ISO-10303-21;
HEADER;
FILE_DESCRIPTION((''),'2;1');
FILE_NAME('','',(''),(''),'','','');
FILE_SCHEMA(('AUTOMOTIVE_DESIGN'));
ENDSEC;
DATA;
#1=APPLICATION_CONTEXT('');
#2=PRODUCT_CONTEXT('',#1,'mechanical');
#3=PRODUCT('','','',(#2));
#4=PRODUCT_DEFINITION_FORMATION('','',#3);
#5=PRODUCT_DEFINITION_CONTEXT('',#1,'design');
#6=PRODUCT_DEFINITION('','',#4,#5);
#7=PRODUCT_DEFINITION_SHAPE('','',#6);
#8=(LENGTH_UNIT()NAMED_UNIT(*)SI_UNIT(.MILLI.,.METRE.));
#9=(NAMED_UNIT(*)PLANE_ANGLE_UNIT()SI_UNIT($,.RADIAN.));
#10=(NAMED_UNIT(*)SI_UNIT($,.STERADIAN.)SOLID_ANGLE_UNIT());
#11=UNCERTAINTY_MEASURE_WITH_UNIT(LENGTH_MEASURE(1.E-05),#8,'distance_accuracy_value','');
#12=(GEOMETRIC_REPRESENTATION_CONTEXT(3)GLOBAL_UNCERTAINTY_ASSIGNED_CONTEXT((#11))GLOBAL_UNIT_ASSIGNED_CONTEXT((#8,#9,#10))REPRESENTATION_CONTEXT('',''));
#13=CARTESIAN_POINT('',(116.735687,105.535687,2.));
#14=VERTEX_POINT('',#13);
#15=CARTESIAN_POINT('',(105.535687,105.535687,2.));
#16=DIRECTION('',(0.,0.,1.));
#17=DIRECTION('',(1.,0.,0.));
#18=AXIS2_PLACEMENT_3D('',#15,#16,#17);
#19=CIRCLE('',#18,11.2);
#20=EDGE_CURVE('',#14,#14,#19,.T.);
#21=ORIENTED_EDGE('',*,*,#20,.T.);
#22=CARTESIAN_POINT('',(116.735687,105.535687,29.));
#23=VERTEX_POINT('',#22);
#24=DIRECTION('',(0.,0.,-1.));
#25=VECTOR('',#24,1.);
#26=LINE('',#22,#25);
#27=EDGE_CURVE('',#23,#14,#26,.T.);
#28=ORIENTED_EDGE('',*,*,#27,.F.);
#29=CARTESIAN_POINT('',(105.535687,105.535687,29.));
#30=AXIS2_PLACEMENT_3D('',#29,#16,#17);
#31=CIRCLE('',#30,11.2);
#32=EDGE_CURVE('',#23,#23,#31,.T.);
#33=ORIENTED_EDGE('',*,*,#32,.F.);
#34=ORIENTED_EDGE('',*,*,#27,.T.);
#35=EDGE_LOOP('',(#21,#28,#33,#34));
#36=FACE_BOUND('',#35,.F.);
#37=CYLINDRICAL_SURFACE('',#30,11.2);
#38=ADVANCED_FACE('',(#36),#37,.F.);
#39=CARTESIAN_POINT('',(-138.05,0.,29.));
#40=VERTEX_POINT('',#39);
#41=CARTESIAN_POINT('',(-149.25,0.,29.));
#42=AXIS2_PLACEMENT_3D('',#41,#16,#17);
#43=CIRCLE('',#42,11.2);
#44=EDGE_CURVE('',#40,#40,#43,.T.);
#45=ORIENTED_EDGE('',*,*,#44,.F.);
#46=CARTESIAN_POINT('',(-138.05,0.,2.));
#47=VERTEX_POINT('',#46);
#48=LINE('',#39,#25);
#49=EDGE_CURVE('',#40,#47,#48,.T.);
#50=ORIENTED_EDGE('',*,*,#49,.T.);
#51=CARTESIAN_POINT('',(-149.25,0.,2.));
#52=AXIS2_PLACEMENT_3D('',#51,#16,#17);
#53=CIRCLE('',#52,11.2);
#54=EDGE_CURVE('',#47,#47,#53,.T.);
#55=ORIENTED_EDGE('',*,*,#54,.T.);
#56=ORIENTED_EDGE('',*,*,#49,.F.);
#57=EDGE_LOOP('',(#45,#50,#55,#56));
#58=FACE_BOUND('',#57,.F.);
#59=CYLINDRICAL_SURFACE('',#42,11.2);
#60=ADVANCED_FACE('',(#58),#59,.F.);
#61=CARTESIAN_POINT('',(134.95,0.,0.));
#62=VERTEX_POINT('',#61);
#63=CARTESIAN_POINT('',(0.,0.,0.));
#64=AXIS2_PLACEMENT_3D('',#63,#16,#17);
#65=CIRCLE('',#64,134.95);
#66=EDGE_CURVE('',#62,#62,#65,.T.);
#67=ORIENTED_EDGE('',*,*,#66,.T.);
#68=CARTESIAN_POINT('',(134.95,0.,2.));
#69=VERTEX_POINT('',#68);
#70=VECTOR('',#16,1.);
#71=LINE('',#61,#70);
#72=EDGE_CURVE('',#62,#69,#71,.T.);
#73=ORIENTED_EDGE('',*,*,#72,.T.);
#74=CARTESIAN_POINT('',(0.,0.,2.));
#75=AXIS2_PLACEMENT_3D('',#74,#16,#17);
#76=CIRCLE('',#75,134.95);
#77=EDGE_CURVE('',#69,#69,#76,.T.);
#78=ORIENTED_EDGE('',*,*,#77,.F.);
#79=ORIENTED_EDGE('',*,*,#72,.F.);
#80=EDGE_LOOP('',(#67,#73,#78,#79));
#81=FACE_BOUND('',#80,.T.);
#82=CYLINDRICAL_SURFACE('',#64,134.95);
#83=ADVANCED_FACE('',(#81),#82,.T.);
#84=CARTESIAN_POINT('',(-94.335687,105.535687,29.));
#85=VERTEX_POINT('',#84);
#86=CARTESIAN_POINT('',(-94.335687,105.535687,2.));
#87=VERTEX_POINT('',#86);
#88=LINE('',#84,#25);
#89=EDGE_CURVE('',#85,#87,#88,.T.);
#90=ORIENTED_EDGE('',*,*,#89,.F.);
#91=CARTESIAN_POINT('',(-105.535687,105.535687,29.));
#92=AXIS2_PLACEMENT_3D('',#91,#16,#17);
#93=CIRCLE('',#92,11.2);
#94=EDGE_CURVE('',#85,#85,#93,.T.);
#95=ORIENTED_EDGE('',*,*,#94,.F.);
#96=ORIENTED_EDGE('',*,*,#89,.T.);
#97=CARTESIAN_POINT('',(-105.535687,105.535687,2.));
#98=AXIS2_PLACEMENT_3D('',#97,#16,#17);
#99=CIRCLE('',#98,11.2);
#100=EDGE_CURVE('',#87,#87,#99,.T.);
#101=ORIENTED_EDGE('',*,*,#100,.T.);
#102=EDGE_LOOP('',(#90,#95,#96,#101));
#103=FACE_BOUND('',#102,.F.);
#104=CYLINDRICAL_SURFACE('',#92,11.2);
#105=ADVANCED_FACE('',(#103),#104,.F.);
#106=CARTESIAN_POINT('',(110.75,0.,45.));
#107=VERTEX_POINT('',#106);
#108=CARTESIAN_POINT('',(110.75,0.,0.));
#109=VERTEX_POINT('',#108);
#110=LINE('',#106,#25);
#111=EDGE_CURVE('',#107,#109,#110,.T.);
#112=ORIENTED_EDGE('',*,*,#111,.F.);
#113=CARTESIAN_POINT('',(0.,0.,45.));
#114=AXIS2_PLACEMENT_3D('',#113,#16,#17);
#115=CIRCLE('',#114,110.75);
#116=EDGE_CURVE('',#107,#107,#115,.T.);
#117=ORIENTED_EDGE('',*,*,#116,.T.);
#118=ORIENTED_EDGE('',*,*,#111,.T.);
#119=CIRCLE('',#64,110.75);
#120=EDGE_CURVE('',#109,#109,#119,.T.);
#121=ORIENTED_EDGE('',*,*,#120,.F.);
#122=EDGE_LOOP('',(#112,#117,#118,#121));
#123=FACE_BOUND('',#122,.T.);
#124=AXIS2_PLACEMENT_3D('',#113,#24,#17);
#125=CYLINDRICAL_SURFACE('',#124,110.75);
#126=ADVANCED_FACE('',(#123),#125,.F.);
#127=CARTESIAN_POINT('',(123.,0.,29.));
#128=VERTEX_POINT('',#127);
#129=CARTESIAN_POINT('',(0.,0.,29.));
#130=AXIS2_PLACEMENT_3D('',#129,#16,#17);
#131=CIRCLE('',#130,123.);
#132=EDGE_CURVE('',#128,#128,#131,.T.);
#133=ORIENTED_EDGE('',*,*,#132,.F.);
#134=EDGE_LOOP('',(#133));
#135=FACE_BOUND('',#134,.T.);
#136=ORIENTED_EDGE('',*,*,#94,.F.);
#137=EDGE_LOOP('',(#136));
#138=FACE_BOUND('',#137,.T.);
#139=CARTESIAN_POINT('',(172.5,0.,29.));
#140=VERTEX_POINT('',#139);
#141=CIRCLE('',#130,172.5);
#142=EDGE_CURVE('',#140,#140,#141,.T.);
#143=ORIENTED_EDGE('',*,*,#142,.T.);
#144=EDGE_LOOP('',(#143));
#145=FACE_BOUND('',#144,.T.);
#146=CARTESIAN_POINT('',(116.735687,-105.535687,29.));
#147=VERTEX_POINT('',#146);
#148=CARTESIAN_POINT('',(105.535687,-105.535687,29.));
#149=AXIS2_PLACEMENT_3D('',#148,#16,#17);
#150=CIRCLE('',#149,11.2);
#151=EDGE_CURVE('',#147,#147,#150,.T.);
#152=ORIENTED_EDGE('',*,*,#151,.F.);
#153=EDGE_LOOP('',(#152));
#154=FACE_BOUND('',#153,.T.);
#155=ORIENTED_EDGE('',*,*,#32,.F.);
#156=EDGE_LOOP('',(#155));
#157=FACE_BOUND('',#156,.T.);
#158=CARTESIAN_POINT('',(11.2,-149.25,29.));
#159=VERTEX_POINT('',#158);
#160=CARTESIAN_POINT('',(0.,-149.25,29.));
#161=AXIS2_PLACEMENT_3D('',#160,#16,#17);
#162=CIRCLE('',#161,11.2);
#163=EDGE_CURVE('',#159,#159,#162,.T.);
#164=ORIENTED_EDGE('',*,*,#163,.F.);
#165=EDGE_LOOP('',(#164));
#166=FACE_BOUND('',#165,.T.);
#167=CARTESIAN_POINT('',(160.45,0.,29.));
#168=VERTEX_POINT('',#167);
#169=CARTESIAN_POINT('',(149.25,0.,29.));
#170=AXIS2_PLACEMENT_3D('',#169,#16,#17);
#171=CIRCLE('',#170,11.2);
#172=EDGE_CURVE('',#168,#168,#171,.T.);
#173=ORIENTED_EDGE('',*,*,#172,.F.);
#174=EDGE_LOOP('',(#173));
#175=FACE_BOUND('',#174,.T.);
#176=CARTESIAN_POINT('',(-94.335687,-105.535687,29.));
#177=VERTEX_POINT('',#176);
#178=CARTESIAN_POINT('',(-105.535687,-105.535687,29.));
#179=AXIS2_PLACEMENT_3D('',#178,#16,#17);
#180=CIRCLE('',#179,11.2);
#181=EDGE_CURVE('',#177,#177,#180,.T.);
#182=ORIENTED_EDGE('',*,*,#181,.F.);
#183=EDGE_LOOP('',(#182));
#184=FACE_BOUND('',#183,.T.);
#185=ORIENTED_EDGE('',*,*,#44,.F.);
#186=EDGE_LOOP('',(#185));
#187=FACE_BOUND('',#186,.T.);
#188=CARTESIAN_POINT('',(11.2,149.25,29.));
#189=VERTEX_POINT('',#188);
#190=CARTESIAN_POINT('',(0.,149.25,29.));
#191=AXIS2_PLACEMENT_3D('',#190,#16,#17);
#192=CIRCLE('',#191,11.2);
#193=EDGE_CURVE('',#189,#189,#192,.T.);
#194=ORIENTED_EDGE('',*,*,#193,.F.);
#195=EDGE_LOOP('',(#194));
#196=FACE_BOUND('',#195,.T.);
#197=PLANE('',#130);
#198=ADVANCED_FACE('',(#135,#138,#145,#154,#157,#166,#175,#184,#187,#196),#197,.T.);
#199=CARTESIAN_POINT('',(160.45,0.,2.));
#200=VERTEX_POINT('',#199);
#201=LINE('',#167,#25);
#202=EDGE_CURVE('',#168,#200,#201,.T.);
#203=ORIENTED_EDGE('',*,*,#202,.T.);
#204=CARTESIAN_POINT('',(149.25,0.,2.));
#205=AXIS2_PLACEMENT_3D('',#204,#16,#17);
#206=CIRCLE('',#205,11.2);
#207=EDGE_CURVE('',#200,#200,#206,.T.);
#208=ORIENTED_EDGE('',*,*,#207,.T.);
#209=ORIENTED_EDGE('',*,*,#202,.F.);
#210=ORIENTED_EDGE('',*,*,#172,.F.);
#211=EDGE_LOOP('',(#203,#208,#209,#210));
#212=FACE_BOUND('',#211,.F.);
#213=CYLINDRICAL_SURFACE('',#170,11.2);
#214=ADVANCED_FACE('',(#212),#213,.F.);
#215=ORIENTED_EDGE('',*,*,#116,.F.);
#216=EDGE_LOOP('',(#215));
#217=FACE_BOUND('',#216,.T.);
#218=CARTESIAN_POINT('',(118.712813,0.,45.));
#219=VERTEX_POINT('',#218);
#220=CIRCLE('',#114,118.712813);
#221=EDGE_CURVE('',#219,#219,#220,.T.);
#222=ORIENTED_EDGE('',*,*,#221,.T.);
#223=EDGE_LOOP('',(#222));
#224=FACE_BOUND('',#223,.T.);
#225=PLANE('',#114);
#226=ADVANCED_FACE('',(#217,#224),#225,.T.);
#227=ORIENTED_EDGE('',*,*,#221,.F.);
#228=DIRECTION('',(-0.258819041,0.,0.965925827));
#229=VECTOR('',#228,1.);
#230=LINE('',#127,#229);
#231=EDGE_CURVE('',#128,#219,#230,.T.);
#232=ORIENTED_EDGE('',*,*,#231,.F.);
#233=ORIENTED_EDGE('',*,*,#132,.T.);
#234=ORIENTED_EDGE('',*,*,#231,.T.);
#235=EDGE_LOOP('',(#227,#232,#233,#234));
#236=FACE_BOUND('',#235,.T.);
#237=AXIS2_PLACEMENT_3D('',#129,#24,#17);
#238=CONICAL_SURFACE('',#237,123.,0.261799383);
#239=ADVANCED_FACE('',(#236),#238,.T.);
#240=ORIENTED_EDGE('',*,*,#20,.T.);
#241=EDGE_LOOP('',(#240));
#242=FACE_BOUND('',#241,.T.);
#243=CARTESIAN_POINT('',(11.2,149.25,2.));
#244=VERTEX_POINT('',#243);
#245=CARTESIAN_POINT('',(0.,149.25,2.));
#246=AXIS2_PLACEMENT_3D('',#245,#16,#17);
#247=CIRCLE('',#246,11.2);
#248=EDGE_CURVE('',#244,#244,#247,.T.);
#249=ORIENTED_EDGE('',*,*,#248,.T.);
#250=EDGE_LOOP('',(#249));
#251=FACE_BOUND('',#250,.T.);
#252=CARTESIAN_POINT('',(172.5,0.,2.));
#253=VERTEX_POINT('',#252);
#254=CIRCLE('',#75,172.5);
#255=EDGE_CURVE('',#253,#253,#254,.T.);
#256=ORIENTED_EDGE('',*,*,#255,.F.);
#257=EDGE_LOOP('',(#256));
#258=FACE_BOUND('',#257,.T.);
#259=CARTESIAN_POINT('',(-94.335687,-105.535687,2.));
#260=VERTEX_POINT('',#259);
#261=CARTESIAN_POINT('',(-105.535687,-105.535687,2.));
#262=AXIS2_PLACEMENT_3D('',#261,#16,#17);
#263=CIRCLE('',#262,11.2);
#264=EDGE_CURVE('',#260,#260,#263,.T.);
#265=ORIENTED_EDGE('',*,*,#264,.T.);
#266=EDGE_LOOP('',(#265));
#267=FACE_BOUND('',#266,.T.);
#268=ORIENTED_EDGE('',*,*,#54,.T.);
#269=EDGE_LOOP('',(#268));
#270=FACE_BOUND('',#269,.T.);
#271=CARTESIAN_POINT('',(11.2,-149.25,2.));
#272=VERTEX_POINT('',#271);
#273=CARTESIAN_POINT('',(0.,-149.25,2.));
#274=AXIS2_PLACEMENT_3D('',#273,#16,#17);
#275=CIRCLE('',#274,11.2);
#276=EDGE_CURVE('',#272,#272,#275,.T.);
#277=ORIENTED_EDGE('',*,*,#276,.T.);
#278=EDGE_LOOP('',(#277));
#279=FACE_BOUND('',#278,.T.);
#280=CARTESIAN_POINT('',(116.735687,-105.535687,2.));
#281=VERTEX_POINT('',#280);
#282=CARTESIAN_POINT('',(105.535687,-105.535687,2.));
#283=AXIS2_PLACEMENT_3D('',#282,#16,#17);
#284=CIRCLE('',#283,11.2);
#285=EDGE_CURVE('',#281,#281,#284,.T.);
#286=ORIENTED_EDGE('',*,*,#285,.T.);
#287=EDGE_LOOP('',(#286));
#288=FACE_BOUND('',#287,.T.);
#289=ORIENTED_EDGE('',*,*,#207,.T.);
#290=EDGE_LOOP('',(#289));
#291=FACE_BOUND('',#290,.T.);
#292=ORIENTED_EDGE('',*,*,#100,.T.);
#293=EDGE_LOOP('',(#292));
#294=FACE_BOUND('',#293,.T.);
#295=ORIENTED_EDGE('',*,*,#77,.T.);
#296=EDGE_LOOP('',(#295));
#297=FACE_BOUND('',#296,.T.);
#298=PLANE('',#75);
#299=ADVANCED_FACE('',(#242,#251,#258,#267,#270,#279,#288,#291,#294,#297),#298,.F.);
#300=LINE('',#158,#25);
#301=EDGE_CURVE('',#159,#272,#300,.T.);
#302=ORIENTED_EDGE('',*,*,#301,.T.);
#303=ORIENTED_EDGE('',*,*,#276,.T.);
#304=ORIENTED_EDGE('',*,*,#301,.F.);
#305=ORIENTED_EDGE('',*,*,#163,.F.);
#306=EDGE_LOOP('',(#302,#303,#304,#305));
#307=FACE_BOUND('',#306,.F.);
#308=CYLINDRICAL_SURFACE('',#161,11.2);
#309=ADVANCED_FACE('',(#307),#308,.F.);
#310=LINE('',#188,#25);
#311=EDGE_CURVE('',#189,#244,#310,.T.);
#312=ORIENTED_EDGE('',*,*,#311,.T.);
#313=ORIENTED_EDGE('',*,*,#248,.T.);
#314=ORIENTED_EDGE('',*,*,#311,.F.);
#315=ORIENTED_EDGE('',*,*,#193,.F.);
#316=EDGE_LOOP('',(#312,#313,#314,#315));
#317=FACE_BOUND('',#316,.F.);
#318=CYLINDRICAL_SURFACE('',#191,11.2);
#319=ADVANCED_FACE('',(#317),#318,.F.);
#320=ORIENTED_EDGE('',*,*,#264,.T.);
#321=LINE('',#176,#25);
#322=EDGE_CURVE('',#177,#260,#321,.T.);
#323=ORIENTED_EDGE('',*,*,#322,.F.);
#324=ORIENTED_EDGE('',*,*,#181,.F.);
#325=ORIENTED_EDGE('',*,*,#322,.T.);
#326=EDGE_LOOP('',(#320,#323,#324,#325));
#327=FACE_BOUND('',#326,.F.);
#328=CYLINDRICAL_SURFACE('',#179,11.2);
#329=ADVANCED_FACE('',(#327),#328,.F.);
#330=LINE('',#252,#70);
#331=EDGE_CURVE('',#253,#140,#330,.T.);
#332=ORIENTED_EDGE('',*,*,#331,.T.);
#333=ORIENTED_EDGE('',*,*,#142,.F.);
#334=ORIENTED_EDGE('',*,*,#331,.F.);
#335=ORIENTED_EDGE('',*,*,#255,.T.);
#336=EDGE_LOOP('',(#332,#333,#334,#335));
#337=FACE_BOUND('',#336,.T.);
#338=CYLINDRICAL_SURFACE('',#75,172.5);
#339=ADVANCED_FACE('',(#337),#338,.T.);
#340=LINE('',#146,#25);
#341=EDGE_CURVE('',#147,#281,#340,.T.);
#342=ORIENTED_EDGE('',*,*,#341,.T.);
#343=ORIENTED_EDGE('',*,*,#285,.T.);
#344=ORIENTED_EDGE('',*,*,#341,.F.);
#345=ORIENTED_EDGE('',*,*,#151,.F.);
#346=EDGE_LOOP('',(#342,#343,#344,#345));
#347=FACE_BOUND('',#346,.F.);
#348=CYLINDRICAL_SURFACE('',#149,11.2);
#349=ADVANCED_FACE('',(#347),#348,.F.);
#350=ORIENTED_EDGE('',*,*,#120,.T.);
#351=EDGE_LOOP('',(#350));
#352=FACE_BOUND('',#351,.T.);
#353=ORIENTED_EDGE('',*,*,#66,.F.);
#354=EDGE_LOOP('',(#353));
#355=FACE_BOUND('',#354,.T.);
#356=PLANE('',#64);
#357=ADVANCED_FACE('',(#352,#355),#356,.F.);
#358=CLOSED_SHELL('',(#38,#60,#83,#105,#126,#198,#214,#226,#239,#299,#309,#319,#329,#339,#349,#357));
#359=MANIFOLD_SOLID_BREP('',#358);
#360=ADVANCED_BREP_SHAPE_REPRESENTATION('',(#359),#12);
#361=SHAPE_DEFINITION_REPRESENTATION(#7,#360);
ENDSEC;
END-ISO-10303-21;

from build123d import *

# Parameters (mm, degrees)
F2_R     = 11.2
F3_DEPTH = 29.001


with BuildPart() as f1:
    # F0 (on Front) → F1 (revolve)
    with BuildSketch(Plane.XZ):
        Polygon((110.75, 45), (110.75, 0), (134.95, 0), (134.95, 2), (172.5, 2), (172.5, 29), (123, 29), (118.712813, 45), align=None)
    revolve(axis=Axis((0, 0, 22.5), (0, 0, 1)))

    # F2 (on face) → F3 (cut, through all)
    with BuildSketch(Plane.XY.offset(29)):
        with Locations((0, 149.25)):
            Circle(F2_R)
        with Locations((-105.535687, 105.535687)):
            Circle(F2_R)
        with Locations((-149.25, 0)):
            Circle(F2_R)
        with Locations((-105.535687, -105.535687)):
            Circle(F2_R)
        with Locations((0, -149.25)):
            Circle(F2_R)
        with Locations((105.535687, -105.535687)):
            Circle(F2_R)
        with Locations((149.25, 0)):
            Circle(F2_R)
        with Locations((105.535687, 105.535687)):
            Circle(F2_R)
    extrude(amount=-F3_DEPTH, mode=Mode.SUBTRACT)


solid = f1.part
